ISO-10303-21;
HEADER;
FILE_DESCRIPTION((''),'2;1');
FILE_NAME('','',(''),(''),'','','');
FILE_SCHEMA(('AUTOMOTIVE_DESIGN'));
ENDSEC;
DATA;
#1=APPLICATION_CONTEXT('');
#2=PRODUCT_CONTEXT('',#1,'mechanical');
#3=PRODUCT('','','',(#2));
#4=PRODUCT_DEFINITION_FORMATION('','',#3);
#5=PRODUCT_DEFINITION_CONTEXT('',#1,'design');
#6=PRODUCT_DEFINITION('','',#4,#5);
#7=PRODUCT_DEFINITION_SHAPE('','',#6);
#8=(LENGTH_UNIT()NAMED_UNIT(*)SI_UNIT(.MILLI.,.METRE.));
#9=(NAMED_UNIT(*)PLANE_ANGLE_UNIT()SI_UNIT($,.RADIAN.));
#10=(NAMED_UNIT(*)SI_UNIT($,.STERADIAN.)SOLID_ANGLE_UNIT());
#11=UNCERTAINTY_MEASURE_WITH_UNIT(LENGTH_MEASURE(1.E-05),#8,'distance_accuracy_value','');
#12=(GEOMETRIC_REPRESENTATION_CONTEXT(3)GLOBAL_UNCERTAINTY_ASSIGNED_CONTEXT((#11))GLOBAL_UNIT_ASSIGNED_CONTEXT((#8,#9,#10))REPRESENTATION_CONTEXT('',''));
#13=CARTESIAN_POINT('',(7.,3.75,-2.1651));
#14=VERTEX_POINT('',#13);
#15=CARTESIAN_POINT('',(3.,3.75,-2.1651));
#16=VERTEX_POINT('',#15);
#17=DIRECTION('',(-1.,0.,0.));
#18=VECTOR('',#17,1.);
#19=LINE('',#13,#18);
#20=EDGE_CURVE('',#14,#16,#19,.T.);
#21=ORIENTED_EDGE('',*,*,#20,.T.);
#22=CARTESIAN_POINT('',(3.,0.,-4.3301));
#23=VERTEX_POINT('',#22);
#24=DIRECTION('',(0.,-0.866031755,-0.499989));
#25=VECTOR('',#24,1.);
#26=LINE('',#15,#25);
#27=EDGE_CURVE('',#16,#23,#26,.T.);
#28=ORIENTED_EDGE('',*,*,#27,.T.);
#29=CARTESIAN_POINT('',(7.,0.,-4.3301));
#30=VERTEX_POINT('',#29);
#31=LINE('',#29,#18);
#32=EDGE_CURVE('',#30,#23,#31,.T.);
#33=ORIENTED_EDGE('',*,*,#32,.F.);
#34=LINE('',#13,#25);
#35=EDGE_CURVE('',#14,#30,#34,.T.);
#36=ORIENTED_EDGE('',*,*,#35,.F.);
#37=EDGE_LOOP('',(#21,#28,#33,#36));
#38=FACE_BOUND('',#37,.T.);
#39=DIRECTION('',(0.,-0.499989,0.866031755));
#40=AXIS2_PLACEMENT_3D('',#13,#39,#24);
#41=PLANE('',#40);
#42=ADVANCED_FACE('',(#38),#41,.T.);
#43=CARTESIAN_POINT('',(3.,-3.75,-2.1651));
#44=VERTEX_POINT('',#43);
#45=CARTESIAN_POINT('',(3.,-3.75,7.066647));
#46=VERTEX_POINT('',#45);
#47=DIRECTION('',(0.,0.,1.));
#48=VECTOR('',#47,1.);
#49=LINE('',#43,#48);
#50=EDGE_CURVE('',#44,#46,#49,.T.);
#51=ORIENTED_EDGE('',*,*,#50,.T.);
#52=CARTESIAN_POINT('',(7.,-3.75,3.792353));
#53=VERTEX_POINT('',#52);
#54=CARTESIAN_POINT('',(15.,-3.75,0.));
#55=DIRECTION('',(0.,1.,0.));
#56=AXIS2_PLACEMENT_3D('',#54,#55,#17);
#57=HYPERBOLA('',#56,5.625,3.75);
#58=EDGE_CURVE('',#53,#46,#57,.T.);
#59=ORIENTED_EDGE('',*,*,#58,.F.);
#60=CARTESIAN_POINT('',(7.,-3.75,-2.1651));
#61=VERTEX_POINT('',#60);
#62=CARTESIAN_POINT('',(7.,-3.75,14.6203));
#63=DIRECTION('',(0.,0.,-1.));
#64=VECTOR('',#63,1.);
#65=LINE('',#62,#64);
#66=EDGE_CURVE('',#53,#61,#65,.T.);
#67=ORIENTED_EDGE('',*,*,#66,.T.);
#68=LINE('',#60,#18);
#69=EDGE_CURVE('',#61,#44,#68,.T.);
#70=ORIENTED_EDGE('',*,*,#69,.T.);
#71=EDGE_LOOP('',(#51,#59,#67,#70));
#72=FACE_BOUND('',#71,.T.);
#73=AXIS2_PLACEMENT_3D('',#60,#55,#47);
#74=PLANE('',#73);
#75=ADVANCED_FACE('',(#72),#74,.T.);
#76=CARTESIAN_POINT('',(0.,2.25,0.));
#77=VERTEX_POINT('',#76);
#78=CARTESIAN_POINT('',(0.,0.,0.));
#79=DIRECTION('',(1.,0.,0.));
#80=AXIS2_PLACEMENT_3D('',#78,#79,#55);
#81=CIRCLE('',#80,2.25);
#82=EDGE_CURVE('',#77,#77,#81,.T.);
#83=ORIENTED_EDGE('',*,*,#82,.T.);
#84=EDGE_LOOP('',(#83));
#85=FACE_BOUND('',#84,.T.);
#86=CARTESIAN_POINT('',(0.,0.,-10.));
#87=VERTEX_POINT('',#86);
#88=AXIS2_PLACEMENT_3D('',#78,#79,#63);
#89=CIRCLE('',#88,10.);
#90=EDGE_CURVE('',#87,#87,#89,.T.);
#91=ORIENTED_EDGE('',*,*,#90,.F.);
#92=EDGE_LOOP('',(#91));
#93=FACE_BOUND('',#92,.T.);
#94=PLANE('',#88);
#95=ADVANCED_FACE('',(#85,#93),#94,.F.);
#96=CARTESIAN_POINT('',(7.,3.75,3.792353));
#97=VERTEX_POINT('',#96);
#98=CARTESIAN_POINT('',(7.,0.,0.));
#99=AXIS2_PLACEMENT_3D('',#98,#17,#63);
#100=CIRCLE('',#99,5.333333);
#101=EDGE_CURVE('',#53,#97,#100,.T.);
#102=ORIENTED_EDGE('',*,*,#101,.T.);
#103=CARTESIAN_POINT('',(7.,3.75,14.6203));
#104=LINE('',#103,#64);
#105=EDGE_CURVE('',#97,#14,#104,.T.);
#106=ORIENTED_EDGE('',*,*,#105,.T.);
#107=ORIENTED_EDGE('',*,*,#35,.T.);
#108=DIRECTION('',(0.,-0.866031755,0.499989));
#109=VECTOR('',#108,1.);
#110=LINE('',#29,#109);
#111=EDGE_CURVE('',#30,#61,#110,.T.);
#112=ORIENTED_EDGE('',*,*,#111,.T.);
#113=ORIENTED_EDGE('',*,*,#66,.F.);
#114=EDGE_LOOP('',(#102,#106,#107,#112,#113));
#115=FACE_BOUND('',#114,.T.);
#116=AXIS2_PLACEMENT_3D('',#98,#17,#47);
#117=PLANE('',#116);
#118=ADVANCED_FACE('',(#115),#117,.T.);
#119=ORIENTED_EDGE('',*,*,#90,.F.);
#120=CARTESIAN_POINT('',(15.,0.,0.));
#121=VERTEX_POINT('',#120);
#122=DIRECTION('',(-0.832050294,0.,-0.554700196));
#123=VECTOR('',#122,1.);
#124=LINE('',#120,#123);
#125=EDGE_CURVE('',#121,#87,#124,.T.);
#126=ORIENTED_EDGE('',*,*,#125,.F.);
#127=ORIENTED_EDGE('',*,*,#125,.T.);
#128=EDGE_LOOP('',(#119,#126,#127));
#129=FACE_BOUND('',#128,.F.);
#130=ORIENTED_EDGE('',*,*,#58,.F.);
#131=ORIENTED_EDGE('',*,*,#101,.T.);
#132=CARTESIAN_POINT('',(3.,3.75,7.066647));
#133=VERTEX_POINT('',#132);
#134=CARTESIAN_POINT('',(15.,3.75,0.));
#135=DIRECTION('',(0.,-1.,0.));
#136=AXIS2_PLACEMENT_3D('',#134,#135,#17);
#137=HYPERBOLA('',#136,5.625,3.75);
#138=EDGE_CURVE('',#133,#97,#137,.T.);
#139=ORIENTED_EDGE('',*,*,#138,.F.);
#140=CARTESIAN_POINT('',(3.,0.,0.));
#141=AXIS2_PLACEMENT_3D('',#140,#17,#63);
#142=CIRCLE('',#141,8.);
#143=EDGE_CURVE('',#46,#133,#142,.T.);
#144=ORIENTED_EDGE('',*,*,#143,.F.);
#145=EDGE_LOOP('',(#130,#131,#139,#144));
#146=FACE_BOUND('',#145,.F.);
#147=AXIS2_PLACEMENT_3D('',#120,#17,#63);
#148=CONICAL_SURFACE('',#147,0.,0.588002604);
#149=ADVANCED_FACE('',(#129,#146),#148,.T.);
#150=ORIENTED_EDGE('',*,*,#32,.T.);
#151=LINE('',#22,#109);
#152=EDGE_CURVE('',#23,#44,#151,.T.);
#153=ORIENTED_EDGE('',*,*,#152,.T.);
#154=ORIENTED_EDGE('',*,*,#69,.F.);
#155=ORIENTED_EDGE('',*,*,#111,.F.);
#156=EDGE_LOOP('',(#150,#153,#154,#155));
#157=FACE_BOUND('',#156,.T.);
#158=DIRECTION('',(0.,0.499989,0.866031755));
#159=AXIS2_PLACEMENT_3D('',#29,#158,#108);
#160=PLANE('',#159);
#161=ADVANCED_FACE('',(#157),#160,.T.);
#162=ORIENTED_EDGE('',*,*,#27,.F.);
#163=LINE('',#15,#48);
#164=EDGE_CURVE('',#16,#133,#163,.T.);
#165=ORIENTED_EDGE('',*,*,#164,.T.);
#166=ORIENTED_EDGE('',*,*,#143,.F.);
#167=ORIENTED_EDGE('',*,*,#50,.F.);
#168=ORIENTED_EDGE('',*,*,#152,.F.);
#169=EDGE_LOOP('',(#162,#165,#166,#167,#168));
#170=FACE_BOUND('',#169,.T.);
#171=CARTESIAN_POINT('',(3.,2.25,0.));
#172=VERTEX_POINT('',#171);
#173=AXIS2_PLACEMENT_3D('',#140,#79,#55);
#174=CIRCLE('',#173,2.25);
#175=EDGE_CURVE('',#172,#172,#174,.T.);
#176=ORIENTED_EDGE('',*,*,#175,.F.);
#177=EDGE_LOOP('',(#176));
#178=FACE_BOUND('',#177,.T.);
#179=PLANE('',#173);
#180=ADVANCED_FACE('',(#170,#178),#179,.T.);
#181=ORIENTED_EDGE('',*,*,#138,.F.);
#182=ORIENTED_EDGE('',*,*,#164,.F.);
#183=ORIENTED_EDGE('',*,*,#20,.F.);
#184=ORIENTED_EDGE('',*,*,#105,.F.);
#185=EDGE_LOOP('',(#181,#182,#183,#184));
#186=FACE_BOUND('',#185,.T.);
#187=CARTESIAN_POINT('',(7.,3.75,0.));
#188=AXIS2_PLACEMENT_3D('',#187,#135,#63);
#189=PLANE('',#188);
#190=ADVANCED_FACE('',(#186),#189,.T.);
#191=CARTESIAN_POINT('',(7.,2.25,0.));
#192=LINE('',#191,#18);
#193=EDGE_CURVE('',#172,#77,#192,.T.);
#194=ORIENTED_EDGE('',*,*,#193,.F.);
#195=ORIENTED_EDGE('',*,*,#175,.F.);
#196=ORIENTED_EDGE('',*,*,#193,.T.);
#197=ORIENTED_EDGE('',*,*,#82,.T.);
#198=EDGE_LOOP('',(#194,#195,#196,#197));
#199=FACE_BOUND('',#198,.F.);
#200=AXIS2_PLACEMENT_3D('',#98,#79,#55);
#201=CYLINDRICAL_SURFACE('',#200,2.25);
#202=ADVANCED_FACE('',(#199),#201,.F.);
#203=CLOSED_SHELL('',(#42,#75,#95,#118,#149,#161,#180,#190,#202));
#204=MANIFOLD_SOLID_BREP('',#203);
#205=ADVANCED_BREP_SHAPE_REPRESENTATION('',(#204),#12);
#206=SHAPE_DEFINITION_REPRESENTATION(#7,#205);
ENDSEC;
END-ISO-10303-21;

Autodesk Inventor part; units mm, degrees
ref_plane "XZ Plane" through (0, 0, 0) normal (0, 1, 0) x (-1, 0, 0)
ref_plane "XY Plane" through (0, 0, 0) normal (0, 0, 1) x (1, 0, 0)
ref_plane "Work Plane1" through (7, 0, 0) normal (1, 0, 0) x (0, 1, 0)
sketch "Sketch1" plane through (0, 0, 0) normal (0, 1, 0) x (-1, 0, 0)
  line L0 (0, 0) -> (-15, 0)
  line L1 (0, 0) -> (0, -10)
  line L2 (-15, 0) -> (-15, 0)
  line L3 (-15, 0) -> (0, -10)
  dimension "d0" = 15
  dimension "d1" = 10
  dimension "d2" = 0
revolve "Revolution1" add sketch "Sketch1" angle 360 about axis through (0, 0, 0) along (1, 0, 0)
sketch "Sketch2" plane through (7, 0, 0) normal (1, 0, 0) x (0, 1, 0)
  circle A0 centre (0, 0) radius 2.25
  dimension "d5" = 4.5
extrude "Extrusion1" cut sketch "Sketch2" along normal blind 2 and the other way blind 10
sketch "Sketch3" plane through (7, 0, 0) normal (1, 0, 0) x (0, 1, 0)
  line L0 (0, 0) -> (3.75, 0)
  line L1 (3.75, -2.1651) -> (0, -4.3301)
  line L2 (0, -4.3301) -> (-3.75, -2.1651)
  line L3 (-3.75, -2.1651) -> (-3.75, 2.1651)
  line L4 (-3.75, 2.1651) -> (0, 4.3301)
  line L5 (0, 4.3301) -> (3.75, 2.1651)
  line L6 (3.75, 2.1651) -> (3.75, -2.1651)
  line L7 (-3.75, 14.6203) -> (-3.75, 2.1651)
  line L8 (-3.75, 14.6203) -> (3.75, 14.6203)
  line L9 (3.75, 14.6203) -> (3.75, 1.2022)
  line L10 (3.75, 1.2022) -> (-3.75, 1.2022)
  line L11 (-3.75, 1.2022) -> (-3.75, 14.6203)
  dimension "d15" = 3.75
extrude "Extrusion2" cut sketch "Sketch3" against normal blind 4
sketch "Sketch5" plane through (9, 0, 0) normal (-1, 0, 0) x (0, 0, 1)
  circle A0 centre (0, 0) radius 2.25 projected
extrude "Extrusion3" add sketch "Sketch5" along normal up to surface (2 mm away)
properties part number "stollen_m4_spitz"
